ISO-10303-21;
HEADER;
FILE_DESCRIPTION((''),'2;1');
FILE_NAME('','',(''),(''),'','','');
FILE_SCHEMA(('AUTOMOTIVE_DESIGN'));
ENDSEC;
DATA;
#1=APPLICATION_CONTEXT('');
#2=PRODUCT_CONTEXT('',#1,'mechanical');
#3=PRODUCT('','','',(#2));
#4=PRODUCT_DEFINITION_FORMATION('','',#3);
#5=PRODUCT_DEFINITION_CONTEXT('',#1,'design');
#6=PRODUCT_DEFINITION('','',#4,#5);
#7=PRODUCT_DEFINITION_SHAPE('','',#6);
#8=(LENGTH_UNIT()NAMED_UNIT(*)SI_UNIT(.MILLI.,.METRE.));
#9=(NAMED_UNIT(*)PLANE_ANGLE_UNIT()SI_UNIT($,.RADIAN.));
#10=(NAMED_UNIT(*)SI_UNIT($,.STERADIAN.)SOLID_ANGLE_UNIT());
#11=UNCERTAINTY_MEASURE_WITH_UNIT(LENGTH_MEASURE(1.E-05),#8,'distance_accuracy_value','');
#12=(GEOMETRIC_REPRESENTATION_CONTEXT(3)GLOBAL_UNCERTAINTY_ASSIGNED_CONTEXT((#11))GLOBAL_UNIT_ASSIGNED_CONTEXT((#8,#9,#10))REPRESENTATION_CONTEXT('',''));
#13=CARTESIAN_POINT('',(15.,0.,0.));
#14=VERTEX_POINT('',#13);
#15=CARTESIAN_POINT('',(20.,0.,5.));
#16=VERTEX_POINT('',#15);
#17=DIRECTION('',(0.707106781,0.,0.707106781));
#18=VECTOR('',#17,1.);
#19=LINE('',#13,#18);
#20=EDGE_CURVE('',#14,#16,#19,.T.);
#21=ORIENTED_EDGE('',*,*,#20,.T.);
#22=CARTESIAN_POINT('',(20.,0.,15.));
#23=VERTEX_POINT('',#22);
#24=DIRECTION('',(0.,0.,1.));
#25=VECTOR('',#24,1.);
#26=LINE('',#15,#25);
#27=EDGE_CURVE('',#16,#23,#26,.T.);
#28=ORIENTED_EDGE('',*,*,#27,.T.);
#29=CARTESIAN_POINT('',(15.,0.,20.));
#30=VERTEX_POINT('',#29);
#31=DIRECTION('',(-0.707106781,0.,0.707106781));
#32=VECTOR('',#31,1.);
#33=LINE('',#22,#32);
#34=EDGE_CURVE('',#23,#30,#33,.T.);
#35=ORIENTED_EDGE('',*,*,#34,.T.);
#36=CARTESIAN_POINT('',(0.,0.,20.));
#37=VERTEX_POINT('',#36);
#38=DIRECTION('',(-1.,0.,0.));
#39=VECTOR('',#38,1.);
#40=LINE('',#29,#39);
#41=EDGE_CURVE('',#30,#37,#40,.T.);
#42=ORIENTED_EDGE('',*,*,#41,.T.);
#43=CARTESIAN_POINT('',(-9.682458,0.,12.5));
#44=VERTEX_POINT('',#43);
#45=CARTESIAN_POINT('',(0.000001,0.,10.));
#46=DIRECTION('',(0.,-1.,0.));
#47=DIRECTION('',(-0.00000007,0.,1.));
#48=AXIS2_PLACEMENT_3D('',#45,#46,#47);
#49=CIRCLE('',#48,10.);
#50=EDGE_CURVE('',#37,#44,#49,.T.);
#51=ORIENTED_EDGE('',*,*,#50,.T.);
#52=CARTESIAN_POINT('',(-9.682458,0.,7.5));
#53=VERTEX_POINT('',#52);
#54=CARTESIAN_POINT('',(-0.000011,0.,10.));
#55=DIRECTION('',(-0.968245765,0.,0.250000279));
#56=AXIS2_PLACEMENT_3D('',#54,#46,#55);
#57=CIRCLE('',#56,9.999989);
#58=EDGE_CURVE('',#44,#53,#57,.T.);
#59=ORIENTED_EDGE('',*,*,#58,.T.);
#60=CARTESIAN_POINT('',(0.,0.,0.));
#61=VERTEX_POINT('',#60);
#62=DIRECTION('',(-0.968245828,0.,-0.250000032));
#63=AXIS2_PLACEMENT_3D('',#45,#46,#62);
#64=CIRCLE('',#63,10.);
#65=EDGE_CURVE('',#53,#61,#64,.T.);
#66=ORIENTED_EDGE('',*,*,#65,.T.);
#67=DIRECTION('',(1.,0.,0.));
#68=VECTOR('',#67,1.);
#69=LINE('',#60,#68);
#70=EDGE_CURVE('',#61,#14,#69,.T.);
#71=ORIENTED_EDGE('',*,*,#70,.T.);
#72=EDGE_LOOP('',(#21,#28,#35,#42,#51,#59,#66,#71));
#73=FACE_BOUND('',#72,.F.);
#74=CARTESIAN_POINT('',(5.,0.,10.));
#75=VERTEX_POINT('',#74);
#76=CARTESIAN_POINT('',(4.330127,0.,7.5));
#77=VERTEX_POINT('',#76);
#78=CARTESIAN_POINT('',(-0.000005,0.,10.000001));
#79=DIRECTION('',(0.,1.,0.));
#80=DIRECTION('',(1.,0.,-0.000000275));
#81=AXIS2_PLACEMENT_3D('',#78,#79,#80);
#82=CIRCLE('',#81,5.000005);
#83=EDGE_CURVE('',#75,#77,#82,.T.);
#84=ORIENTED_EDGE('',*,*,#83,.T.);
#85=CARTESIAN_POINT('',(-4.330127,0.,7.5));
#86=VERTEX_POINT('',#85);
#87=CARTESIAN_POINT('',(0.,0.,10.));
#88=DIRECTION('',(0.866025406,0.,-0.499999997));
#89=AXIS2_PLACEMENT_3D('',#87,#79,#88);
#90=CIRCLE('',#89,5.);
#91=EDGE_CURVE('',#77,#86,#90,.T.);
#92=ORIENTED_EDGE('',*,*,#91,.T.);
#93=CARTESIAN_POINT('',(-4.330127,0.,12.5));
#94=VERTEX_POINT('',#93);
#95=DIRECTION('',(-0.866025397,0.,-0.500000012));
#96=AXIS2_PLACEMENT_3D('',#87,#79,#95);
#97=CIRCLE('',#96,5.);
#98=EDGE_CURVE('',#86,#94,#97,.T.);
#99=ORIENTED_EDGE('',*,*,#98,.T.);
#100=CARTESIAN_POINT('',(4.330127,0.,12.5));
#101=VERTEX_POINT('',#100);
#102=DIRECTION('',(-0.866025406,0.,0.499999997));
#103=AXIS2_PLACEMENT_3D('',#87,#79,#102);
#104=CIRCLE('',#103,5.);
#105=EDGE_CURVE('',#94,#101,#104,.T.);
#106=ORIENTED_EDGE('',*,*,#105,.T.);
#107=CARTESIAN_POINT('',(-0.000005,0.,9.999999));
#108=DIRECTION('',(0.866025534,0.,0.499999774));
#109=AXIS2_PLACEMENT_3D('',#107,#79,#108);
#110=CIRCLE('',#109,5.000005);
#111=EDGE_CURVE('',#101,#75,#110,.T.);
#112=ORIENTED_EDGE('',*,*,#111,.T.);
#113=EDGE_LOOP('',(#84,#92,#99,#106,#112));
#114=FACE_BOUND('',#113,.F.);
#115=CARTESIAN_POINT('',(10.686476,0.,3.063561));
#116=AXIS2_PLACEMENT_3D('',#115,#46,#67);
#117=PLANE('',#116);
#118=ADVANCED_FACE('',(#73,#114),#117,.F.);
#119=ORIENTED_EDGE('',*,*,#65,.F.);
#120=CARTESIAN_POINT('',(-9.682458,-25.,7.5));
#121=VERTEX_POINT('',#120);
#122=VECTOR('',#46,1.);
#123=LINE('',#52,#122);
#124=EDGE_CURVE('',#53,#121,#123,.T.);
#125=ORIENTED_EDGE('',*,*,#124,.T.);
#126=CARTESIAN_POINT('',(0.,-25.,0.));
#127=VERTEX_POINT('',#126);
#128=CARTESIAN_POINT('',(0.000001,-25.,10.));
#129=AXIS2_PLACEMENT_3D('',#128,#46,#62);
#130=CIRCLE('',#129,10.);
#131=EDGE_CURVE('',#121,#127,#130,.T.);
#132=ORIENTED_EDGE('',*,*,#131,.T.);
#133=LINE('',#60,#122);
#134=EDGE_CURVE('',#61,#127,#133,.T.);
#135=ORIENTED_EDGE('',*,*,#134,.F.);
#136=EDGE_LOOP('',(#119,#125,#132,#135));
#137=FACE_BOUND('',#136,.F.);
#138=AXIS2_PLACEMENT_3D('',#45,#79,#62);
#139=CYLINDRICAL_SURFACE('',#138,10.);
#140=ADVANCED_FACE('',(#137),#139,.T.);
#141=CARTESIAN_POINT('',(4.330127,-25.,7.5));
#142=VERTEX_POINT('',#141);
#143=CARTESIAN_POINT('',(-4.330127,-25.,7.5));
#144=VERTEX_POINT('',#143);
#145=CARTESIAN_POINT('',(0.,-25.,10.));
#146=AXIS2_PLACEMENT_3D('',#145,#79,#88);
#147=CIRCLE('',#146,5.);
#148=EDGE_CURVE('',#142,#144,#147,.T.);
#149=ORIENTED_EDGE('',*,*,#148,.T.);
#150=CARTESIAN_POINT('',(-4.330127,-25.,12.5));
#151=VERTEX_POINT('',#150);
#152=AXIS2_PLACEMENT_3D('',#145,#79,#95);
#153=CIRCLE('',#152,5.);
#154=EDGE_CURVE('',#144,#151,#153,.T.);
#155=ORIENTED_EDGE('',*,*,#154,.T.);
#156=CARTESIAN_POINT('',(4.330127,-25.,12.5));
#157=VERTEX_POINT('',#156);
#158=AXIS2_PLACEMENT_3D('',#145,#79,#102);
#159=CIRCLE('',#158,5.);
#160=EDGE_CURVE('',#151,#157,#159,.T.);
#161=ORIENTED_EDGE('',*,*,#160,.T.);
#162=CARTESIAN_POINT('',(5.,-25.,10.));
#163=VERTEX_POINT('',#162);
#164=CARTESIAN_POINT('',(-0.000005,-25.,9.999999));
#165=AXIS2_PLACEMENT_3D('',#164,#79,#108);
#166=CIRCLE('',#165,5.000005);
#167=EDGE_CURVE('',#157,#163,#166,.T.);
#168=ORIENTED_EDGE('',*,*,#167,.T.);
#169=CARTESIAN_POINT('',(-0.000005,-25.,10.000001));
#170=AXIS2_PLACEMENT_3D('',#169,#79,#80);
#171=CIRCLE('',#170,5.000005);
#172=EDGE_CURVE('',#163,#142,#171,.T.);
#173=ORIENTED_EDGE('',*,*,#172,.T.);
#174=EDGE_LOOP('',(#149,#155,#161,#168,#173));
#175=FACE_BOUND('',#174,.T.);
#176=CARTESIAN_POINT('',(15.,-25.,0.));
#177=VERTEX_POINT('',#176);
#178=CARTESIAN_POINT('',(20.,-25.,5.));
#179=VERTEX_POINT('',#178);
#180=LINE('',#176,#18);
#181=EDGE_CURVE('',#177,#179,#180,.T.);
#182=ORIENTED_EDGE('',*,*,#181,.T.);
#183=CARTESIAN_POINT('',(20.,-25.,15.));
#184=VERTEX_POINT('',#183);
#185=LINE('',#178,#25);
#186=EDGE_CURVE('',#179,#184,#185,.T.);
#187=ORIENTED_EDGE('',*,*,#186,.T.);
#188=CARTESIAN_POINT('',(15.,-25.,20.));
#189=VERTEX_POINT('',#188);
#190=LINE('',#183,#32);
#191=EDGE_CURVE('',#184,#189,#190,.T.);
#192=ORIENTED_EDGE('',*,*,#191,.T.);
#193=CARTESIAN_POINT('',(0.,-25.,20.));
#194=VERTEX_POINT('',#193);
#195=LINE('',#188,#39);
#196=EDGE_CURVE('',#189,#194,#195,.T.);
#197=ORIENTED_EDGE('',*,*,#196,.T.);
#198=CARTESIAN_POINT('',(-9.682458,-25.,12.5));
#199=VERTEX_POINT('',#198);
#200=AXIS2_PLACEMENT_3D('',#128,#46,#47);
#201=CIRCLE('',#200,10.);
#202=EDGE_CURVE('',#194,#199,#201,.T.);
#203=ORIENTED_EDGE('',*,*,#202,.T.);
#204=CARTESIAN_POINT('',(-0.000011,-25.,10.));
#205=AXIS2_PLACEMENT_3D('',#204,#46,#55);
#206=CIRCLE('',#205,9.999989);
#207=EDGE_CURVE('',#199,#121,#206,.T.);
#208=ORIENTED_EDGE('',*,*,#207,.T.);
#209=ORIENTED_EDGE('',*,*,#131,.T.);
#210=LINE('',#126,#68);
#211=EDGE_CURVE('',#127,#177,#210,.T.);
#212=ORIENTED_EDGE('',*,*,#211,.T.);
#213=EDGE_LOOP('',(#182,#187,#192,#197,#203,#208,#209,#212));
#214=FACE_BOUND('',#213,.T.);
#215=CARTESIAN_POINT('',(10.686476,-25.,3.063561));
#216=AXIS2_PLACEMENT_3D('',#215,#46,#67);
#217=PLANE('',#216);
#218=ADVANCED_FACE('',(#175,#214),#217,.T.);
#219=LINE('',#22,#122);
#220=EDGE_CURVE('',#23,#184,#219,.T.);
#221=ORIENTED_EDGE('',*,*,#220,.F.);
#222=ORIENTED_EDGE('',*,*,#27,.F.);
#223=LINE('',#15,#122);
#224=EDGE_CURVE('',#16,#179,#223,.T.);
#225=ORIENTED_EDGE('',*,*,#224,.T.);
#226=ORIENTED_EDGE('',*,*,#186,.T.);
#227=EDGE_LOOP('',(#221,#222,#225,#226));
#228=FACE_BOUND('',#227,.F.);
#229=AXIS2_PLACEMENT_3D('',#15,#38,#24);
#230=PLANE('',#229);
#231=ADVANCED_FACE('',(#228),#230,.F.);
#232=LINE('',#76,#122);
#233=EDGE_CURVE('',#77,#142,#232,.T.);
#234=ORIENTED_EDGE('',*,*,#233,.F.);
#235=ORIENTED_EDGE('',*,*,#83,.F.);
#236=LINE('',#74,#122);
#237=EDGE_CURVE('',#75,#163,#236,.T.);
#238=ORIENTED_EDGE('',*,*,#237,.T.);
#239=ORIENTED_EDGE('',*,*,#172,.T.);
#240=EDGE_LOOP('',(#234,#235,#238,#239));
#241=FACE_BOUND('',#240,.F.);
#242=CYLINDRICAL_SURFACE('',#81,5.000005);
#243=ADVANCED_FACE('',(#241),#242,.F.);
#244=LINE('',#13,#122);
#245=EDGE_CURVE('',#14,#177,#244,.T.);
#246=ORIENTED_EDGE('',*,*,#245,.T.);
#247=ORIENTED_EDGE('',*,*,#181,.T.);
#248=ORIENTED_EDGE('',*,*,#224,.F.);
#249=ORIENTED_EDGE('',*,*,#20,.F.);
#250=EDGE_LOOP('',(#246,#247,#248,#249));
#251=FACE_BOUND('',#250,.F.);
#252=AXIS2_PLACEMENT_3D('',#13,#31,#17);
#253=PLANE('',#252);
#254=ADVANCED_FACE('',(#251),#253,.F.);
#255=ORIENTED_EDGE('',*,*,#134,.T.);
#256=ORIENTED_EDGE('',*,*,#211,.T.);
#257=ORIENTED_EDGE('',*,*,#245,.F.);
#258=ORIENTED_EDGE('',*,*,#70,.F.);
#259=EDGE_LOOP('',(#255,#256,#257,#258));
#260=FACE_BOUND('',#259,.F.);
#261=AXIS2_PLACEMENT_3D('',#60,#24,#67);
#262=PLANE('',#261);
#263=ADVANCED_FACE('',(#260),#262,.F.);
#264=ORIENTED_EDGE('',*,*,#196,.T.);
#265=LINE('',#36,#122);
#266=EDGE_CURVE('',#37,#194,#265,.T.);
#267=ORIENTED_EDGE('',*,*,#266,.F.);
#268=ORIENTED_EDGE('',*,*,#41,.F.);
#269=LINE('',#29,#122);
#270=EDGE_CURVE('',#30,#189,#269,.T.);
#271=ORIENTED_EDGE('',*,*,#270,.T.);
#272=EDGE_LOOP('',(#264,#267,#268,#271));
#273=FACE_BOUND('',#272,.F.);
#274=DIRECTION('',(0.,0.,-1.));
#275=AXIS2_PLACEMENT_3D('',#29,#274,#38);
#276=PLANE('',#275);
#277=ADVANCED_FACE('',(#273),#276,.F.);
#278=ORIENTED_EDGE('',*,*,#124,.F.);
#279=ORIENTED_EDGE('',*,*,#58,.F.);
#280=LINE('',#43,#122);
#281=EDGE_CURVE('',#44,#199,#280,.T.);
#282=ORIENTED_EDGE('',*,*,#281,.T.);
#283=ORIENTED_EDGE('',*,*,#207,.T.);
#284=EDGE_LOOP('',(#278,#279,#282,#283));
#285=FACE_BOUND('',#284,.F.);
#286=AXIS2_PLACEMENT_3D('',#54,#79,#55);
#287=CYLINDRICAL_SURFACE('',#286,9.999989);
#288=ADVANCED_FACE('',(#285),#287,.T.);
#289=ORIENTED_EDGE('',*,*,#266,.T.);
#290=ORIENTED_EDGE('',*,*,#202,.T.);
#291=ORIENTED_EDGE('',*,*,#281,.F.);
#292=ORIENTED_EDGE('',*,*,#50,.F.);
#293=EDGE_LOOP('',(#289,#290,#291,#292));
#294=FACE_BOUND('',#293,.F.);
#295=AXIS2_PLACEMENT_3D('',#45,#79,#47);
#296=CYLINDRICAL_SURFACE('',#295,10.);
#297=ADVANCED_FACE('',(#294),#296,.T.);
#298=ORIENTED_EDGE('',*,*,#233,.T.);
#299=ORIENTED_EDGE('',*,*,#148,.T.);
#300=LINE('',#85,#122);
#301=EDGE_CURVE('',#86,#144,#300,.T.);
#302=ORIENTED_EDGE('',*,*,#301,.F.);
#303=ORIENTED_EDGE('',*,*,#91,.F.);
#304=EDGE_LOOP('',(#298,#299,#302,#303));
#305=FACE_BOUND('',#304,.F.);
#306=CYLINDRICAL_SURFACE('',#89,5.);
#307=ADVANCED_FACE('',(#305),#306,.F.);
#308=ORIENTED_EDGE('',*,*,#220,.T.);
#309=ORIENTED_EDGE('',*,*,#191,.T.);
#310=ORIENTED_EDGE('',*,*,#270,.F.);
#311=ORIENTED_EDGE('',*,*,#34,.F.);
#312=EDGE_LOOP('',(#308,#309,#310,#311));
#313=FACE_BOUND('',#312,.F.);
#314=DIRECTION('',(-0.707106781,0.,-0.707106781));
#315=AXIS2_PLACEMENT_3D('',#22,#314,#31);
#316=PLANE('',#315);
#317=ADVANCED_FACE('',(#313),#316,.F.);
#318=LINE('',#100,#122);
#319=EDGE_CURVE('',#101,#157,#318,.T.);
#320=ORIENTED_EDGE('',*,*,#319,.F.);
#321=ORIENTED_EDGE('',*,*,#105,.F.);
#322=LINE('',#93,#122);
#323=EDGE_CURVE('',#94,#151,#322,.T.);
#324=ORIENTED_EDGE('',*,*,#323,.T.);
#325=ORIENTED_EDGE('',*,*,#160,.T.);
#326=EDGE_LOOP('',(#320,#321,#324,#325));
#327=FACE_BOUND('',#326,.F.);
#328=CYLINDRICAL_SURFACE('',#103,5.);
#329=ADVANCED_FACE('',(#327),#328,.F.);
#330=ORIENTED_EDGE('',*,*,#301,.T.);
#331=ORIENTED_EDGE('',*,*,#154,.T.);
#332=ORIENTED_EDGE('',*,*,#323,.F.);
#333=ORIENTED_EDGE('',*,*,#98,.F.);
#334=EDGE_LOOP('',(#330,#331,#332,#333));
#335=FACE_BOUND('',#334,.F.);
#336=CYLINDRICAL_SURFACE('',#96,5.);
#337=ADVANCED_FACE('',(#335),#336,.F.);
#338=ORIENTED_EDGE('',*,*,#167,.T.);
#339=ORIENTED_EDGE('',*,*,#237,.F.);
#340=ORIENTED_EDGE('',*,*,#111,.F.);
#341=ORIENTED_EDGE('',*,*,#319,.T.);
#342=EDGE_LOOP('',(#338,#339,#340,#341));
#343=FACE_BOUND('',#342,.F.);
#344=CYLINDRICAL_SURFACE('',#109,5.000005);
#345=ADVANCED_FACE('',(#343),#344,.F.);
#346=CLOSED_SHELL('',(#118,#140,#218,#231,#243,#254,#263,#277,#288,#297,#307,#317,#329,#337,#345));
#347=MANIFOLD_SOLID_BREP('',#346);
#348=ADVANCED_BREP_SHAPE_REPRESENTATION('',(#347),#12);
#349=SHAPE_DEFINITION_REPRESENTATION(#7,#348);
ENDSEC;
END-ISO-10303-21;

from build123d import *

# Parameters (mm, degrees)
F1_DEPTH = 25


with BuildPart() as f1:
    # F0 (on Front) → F1 (new body)
    with BuildSketch(Plane.XZ):
        with BuildLine():
            ThreePointArc((9.682458, 7.5), (6.123724, 2.094306), (0, 0))
            Line((0, 0), (15, 0))
            Line((15, 0), (20, 5))
            Line((20, 5), (20, 7.5))
            Line((20, 7.5), (9.682458, 7.5))
        make_face()
        with BuildLine():
            ThreePointArc((-9.682458, 7.5), (-6.123724, 2.094306), (0, 0))
            ThreePointArc((0, 0), (6.123724, 2.094306), (9.682458, 7.5))
            Line((9.682458, 7.5), (4.330127, 7.5))
            ThreePointArc((4.330127, 7.5), (0, 5), (-4.330127, 7.5))
            Line((-4.330127, 7.5), (-9.682458, 7.5))
        make_face()
        with BuildLine():
            ThreePointArc((-9.682458, 12.5), (-10, 10), (-9.682458, 7.5))
            Line((-9.682458, 7.5), (-4.330127, 7.5))
            ThreePointArc((-4.330127, 7.5), (-5, 10), (-4.330127, 12.5))
            Line((-4.330127, 12.5), (-9.682458, 12.5))
        make_face()
        with BuildLine():
            Line((4.330127, 7.5), (9.682458, 7.5))
            Line((9.682458, 7.5), (20, 7.5))
            Line((20, 7.5), (20, 12.5))
            Line((20, 12.5), (9.682458, 12.5))
            Line((9.682458, 12.5), (4.330127, 12.5))
            ThreePointArc((4.330127, 12.5), (4.829629, 11.294095), (5, 10))
            ThreePointArc((5, 10), (4.829629, 8.705905), (4.330127, 7.5))
        make_face()
        with BuildLine():
            ThreePointArc((0, 20), (-6.123724, 17.905694), (-9.682458, 12.5))
            Line((-9.682458, 12.5), (-4.330127, 12.5))
            ThreePointArc((-4.330127, 12.5), (0, 15), (4.330127, 12.5))
            Line((4.330127, 12.5), (9.682458, 12.5))
            ThreePointArc((9.682458, 12.5), (6.123724, 17.905694), (0, 20))
        make_face()
        with BuildLine():
            Line((15, 20), (0, 20))
            ThreePointArc((0, 20), (6.123724, 17.905694), (9.682458, 12.5))
            Line((9.682458, 12.5), (20, 12.5))
            Line((20, 12.5), (20, 15))
            Line((20, 15), (15, 20))
        make_face()
    extrude(amount=F1_DEPTH)


solid = f1.part
